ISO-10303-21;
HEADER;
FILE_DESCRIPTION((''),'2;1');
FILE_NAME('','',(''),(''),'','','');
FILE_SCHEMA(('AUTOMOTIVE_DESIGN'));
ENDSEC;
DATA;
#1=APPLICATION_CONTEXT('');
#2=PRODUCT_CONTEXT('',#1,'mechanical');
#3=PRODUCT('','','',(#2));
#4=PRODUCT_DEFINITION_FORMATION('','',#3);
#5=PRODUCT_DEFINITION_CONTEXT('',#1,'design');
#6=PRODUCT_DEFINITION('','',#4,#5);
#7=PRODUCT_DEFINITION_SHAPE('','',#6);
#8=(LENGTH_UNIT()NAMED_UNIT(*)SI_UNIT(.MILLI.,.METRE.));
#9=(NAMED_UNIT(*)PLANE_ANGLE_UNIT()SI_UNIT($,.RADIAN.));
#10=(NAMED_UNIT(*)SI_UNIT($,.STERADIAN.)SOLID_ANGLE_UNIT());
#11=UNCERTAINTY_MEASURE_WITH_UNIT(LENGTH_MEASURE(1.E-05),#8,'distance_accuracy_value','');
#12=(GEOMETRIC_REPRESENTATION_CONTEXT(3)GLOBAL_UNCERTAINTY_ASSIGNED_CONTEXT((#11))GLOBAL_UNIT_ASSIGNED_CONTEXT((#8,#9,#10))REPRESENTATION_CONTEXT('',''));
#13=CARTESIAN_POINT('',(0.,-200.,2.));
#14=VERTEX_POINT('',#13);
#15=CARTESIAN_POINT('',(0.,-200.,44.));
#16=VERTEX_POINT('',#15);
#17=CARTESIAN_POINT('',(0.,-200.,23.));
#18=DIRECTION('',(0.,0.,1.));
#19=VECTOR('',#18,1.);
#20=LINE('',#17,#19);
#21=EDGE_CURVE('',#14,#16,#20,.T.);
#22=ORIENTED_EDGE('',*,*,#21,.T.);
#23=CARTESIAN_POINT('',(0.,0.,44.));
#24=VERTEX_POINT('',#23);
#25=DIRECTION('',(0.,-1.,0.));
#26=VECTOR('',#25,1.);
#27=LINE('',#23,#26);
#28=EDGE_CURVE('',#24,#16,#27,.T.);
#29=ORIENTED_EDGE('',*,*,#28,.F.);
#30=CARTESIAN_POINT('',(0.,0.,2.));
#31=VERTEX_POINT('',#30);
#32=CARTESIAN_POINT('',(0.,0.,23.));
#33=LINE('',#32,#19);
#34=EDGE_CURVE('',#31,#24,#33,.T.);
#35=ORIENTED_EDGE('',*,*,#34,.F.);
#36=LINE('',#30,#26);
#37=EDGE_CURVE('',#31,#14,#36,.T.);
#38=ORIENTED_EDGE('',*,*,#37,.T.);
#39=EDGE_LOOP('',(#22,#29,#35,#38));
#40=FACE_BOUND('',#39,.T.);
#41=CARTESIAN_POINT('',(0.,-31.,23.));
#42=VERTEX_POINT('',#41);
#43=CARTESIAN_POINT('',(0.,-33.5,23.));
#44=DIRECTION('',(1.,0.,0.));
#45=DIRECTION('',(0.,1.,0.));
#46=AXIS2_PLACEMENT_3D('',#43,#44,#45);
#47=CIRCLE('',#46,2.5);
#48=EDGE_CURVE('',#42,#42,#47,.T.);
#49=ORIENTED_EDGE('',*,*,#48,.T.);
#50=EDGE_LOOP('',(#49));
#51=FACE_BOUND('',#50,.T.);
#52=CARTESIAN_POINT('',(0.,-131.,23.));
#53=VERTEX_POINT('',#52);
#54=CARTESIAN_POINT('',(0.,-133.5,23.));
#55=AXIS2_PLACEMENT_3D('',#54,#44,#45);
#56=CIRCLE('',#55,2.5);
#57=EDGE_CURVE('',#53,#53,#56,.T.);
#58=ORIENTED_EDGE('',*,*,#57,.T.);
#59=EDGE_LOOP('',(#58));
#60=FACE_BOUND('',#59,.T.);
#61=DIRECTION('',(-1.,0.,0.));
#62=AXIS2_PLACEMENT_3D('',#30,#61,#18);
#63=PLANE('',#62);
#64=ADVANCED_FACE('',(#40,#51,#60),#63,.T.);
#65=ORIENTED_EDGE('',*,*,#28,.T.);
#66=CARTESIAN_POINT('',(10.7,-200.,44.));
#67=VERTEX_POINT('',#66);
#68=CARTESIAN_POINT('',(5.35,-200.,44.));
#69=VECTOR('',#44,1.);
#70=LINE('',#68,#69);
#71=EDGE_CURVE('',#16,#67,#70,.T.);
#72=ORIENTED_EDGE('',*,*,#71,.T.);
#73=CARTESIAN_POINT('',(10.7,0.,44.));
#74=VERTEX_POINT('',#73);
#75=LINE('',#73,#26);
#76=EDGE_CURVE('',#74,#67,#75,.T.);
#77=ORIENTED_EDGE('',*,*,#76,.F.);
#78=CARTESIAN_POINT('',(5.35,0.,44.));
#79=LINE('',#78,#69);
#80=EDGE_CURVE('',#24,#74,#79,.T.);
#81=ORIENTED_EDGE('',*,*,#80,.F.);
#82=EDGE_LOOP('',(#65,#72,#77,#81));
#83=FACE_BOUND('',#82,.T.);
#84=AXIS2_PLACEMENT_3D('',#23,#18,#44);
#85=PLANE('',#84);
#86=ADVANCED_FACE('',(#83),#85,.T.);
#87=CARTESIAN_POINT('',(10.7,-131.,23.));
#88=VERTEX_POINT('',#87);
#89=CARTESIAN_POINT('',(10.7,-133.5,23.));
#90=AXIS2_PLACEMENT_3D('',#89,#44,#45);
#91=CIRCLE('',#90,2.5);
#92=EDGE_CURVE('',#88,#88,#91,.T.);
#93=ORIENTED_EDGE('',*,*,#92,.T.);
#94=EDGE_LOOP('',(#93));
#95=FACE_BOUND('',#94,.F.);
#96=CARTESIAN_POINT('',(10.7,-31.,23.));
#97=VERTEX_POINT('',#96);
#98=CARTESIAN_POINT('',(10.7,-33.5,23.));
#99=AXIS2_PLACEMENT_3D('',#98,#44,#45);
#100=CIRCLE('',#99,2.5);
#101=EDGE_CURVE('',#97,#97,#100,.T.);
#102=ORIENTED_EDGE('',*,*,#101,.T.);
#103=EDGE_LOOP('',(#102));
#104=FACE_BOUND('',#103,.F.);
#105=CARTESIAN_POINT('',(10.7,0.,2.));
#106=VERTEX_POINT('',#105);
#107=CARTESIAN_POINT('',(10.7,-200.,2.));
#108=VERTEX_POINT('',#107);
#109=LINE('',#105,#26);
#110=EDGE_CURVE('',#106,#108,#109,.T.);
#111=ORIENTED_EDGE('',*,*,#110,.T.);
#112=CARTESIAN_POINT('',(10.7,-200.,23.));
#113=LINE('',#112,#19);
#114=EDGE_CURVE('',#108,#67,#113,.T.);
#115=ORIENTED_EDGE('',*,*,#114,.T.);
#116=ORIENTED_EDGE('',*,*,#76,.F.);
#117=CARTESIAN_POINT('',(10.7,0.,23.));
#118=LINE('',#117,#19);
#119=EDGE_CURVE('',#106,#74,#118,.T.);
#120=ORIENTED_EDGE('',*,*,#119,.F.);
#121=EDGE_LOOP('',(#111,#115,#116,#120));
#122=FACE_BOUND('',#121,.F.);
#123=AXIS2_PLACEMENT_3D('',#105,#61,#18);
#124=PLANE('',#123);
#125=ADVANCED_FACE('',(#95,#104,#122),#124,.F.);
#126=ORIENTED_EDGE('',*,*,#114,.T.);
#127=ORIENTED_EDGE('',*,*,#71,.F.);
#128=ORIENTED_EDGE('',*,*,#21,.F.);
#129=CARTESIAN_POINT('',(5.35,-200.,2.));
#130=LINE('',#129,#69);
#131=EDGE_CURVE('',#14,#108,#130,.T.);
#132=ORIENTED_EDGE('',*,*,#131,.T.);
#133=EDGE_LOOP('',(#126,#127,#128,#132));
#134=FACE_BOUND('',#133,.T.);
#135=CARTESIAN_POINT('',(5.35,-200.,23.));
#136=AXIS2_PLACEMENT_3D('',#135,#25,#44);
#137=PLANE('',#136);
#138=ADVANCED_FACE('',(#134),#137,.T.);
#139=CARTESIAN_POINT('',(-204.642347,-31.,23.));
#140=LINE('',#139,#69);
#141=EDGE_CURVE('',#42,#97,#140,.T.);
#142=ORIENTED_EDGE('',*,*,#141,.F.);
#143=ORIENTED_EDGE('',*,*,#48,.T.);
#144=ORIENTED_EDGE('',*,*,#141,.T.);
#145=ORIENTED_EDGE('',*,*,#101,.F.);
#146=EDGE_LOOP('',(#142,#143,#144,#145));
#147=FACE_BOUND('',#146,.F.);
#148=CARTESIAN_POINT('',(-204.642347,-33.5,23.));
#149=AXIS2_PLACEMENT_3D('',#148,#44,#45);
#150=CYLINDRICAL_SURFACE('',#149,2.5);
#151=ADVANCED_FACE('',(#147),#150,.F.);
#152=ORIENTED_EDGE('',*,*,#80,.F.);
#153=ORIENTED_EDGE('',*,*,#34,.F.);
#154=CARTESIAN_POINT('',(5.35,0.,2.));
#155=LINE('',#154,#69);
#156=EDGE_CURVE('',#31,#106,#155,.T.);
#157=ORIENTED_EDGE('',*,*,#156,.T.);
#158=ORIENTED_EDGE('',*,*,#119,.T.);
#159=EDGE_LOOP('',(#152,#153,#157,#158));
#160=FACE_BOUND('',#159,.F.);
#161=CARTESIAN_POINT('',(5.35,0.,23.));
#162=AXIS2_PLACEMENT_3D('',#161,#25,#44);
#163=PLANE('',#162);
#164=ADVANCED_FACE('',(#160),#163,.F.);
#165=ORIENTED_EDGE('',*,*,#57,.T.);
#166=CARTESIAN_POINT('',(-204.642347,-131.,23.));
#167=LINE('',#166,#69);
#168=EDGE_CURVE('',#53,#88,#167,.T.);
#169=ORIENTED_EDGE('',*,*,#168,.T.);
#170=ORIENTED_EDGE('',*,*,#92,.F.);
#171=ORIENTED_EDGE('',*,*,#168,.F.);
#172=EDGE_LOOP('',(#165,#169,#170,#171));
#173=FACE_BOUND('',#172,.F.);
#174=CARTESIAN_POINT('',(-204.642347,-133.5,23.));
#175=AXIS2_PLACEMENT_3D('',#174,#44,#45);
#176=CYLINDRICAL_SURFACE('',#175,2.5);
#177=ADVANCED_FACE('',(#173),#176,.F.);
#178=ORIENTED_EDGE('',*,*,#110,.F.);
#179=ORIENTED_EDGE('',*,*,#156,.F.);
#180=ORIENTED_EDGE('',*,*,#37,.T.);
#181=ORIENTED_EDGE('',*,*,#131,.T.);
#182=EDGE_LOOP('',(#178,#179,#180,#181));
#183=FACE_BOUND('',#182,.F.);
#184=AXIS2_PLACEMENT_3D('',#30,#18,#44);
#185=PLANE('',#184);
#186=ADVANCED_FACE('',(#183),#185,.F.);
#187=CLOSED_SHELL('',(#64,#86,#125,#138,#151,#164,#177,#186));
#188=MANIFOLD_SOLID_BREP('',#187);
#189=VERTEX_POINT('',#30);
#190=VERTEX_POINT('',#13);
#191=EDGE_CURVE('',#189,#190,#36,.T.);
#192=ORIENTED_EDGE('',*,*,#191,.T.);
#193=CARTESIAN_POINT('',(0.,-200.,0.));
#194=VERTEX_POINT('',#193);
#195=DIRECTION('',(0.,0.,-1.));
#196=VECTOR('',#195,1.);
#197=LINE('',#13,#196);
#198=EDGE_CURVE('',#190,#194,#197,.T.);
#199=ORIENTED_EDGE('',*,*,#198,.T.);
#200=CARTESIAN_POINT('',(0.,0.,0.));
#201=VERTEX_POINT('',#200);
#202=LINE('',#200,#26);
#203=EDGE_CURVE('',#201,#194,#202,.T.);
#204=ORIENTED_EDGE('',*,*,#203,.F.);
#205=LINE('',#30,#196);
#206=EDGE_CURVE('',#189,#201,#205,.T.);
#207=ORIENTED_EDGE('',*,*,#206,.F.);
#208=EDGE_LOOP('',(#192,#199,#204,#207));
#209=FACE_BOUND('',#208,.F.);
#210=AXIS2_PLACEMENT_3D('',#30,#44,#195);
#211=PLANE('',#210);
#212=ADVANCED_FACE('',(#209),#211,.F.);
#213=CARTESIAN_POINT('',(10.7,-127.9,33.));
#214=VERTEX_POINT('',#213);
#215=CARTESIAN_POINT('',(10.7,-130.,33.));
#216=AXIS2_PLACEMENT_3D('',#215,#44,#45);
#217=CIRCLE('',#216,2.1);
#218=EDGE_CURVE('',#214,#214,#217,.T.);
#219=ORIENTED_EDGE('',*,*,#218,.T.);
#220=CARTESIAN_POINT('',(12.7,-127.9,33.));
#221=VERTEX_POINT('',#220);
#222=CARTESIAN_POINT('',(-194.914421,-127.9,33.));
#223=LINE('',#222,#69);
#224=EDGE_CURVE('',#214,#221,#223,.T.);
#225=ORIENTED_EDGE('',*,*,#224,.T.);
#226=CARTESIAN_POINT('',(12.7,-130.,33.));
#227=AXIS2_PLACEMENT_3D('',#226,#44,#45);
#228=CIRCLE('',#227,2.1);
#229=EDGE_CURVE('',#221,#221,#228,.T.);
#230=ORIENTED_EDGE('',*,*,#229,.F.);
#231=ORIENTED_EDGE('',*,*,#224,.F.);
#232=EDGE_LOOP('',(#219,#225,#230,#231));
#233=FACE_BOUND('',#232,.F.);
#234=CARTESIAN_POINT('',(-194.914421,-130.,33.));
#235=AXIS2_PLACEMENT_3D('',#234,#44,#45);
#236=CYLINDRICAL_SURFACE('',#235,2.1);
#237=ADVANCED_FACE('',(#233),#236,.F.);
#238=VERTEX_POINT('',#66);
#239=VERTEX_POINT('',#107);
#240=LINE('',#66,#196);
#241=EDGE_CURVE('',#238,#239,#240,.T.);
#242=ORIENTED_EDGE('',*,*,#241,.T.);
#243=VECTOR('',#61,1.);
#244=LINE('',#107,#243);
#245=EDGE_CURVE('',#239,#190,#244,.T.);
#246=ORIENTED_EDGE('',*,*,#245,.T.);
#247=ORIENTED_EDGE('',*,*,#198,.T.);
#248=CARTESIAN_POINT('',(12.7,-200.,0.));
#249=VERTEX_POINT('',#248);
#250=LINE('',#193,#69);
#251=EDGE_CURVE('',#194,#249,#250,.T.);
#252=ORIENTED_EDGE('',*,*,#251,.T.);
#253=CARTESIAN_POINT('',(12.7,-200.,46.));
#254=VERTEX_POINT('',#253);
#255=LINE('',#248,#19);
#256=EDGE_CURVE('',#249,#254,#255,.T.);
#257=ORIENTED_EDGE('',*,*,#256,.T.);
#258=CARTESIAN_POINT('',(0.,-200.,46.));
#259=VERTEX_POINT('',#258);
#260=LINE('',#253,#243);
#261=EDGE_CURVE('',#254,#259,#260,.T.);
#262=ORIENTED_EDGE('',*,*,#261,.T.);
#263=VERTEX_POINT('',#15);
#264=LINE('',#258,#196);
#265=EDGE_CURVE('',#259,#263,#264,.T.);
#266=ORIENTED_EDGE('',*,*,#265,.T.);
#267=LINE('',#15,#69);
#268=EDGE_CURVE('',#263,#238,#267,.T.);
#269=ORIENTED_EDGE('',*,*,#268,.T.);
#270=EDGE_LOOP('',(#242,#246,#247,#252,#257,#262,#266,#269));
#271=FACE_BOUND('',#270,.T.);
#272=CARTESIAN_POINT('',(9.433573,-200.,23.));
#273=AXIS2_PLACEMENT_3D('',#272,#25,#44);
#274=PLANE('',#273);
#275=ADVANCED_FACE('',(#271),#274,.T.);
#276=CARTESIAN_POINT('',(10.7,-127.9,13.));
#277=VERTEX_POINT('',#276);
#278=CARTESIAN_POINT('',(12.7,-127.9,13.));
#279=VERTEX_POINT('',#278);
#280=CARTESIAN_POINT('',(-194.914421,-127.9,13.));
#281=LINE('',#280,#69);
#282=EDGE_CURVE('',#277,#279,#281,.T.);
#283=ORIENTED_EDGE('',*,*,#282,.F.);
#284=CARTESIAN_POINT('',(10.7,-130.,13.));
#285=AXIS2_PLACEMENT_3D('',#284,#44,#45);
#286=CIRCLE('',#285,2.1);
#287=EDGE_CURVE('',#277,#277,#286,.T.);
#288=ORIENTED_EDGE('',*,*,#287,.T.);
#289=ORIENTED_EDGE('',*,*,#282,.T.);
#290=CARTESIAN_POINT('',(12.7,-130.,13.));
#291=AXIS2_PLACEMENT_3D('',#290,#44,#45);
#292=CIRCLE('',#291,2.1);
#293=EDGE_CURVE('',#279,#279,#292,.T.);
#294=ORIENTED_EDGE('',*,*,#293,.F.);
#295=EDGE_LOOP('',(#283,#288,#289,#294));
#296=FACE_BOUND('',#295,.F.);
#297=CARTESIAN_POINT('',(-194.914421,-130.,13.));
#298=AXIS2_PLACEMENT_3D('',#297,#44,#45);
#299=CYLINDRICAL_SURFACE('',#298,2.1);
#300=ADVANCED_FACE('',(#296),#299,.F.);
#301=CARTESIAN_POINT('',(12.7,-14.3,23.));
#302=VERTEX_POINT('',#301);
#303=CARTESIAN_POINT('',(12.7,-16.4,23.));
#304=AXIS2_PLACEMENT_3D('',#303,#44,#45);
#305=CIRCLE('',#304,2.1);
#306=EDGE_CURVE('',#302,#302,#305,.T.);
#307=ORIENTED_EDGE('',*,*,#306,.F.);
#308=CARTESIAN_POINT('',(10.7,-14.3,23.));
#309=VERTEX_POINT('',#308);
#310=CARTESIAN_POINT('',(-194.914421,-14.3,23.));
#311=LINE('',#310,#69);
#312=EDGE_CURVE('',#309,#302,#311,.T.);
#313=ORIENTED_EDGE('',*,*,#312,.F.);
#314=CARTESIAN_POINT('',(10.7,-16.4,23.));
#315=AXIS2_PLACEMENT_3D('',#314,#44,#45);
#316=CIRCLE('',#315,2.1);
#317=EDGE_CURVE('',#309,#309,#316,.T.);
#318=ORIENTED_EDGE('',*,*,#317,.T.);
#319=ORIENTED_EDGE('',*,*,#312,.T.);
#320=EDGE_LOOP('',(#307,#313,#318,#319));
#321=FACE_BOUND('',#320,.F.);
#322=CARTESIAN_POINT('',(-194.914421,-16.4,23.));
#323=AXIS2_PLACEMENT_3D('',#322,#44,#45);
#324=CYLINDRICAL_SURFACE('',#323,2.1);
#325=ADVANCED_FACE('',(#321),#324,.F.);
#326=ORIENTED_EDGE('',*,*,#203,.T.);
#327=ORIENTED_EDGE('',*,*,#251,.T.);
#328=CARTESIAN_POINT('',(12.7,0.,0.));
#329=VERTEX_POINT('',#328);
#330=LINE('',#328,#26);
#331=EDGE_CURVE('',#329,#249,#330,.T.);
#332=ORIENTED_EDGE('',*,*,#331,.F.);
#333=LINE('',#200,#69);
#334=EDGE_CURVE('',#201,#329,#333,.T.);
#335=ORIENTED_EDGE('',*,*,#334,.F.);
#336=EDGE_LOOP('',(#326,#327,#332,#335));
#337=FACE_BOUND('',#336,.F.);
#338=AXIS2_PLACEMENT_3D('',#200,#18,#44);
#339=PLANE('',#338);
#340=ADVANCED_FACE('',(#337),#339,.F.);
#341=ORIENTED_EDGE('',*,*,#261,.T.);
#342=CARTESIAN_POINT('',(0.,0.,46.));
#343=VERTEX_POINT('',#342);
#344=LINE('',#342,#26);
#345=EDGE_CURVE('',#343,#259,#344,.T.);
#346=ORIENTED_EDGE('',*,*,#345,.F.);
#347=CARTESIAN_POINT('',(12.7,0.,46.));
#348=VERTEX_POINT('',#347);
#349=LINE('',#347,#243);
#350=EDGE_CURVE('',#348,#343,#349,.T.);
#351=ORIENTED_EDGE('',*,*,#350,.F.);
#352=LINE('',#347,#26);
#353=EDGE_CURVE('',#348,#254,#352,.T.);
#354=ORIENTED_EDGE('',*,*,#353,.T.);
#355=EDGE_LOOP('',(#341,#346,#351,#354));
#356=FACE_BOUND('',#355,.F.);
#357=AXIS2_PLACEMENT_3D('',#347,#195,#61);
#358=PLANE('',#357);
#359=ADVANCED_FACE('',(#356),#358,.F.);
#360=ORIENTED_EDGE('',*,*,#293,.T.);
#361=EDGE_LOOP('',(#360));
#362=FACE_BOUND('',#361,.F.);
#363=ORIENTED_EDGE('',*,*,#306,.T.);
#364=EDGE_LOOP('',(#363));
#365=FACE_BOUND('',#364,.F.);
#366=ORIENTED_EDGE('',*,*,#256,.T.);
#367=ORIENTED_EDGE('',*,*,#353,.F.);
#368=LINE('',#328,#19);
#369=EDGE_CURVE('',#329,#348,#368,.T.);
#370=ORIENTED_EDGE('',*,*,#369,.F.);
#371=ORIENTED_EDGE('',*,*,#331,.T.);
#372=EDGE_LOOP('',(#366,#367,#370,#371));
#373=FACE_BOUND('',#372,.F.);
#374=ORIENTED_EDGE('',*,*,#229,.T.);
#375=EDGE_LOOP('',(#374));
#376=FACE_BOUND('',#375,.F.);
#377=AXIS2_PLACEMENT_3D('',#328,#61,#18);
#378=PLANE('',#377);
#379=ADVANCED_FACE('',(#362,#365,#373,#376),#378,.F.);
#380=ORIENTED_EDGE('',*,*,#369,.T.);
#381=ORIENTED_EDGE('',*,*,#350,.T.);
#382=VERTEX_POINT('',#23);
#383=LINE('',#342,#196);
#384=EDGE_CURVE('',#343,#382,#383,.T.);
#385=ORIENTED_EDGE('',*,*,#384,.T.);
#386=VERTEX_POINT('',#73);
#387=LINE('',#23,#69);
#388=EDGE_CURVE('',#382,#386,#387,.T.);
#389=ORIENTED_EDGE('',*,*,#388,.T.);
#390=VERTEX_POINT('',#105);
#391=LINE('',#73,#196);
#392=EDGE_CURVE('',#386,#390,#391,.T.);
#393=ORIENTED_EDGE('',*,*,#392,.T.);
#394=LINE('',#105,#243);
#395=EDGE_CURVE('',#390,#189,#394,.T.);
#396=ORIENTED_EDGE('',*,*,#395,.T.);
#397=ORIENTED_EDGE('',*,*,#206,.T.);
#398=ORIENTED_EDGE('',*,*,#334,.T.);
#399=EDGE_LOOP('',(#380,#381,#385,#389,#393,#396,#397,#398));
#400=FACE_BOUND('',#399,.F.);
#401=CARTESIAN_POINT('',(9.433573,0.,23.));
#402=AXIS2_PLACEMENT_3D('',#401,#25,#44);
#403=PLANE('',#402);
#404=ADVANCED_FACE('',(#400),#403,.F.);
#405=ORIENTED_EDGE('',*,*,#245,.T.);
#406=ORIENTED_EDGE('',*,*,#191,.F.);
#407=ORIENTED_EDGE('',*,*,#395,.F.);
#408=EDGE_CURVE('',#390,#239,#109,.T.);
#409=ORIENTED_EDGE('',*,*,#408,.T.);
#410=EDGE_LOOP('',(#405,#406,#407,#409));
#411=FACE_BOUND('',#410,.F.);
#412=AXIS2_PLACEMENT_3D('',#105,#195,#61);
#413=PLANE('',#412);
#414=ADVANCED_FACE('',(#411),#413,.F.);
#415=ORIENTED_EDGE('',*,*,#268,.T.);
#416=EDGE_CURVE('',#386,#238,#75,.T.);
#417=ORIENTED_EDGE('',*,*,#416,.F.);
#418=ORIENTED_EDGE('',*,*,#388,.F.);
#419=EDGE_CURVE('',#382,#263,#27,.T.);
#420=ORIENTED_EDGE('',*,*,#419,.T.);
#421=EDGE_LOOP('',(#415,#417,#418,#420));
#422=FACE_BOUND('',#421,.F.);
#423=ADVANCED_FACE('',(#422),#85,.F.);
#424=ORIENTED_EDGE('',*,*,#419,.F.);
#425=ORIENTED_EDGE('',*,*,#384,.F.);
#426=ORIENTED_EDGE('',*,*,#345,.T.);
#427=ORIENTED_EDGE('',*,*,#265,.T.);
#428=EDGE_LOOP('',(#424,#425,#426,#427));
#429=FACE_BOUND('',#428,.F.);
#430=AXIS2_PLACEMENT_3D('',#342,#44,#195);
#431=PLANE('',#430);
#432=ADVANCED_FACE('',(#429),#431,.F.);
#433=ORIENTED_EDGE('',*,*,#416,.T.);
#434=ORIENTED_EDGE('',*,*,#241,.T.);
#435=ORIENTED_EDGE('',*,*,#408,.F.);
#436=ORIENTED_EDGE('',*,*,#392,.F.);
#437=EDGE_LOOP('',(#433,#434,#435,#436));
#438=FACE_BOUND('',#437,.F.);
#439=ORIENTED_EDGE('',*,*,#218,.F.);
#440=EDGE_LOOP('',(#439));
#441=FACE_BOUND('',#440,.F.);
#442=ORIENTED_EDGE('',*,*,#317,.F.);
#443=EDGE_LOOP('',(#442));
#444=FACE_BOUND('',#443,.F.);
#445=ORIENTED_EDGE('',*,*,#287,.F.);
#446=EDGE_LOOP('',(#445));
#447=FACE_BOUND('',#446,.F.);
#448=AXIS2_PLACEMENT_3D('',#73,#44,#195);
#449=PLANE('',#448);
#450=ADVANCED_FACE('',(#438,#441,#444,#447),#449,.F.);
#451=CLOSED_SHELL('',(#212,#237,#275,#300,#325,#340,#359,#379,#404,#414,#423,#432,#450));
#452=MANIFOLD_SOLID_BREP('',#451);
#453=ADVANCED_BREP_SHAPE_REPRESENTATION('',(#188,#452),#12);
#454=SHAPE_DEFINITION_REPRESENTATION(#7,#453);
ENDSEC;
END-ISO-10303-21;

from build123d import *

# Parameters (mm, degrees)
F0_DEPTH = 200
F5_D     = 4.2
F6_W     = 10.7
F6_H     = 42
F1_DEPTH = 200
F2_D     = 5


with BuildPart() as f0:
    # F3 (on Front) → F0 (new body)
    with BuildSketch(Plane.XZ):
        Polygon((0, 2), (0, 0), (12.7, 0), (12.7, 46), (0, 46), (0, 44), (10.7, 44), (10.7, 2), align=None)
    extrude(amount=F0_DEPTH)

    # F5 (through all)
    with Locations(Plane(origin=(10.7, 0, 0), x_dir=(0, -1, 0), z_dir=(-1, 0, 0))):
        with Locations((130, 13), (130, 33), (16.4, 23)):
            Hole(F5_D / 2)


with BuildPart() as f1:
    # F6 (on Front) → F1 (new body)
    with BuildSketch(Plane.XZ):
        with Locations((5.35, 23)):
            Rectangle(F6_W, F6_H)
    extrude(amount=F1_DEPTH)

    # F2 (through all)
    with Locations(Plane(origin=(0, 0, 0), x_dir=(0, -1, 0), z_dir=(-1, 0, 0))):
        with Locations((133.5, 23), (33.5, 23)):
            Hole(F2_D / 2)


solid = Compound([f0.part, f1.part])
